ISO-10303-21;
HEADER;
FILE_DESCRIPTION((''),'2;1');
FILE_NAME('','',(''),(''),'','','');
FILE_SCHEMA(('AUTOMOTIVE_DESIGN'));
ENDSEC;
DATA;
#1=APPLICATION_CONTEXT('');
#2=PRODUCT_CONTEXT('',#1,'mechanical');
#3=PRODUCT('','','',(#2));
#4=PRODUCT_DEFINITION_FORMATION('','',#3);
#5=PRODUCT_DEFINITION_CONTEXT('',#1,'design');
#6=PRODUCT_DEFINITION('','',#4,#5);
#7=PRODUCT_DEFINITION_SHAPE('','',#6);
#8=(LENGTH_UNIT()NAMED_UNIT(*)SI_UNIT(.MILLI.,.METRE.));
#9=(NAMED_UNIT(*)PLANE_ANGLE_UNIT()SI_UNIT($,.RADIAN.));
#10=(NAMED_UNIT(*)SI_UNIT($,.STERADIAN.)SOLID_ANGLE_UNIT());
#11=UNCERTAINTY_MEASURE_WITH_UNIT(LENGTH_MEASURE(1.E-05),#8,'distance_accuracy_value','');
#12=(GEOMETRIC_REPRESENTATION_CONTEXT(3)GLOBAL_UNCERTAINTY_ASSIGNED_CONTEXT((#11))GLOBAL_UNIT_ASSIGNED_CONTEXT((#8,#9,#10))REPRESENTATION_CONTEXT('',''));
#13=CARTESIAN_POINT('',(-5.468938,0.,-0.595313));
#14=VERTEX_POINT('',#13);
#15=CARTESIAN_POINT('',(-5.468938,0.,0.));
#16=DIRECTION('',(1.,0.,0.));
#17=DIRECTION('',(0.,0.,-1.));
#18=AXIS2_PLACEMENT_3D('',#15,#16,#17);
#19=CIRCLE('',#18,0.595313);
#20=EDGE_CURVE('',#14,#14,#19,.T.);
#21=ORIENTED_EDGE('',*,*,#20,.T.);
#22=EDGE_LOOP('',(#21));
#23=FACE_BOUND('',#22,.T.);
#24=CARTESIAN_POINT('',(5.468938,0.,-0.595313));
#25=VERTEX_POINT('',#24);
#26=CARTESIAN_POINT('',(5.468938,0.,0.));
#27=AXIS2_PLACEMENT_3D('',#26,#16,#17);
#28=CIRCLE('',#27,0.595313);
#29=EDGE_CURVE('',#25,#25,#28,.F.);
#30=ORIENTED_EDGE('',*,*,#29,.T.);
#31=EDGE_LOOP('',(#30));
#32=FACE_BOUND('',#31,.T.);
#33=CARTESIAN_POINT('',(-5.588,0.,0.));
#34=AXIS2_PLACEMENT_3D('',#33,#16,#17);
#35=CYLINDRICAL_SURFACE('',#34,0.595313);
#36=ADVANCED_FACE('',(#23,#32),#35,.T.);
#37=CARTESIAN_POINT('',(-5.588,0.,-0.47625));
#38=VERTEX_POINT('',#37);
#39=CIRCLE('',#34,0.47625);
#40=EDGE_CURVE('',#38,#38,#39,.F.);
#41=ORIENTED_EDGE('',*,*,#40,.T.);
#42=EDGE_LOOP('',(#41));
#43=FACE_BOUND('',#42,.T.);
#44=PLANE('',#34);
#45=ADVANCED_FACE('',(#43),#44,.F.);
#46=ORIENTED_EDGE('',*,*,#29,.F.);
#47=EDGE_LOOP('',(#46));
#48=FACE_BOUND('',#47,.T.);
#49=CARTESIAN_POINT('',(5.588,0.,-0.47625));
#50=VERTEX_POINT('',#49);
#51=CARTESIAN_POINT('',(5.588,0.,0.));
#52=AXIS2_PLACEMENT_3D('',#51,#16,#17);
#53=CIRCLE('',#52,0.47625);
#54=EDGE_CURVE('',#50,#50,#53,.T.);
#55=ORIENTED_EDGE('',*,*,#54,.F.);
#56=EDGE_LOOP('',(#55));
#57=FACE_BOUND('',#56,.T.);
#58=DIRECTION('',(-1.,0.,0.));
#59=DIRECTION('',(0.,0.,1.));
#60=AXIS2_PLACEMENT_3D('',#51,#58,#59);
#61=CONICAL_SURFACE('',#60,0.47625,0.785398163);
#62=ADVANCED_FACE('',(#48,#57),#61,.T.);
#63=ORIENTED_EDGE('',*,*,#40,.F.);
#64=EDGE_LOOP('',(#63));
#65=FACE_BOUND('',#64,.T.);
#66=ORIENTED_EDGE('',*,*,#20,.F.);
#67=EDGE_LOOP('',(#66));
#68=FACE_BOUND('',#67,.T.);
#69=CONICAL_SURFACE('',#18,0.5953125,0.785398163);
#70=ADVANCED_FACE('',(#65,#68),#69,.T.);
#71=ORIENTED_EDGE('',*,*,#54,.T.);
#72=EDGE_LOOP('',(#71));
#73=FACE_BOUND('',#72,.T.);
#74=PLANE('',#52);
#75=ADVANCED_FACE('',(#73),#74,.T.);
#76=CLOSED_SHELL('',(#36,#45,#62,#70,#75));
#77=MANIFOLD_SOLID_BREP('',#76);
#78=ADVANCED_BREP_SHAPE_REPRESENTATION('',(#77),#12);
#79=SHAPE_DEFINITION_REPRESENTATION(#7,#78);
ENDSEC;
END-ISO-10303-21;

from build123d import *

# Parameters (mm, degrees)
SKETCH2_R           = 0.5953125
EXTRUDE1_DEPTH      = 5.588
EXTRUDE1_DEPTH_BACK = 5.588
CHAMFER1_SIZE       = 0.1190625


with BuildPart() as part:
    # Sketch2 → Extrude1 (new body, two sides)
    with BuildSketch(Plane(origin=(0, 0, 0), x_dir=(0, 0, -1), z_dir=(1, 0, 0))) as extrude1_sk:
        Circle(SKETCH2_R)
    extrude(amount=EXTRUDE1_DEPTH)
    extrude(extrude1_sk.sketch, amount=-EXTRUDE1_DEPTH_BACK)

    # Chamfer1
    chamfer1_edges = [part.edges().sort_by_distance(p)[0] for p in [
        (-5.588, 0, 0.5953125),
        (5.588, 0, 0.5953125),
    ]]
    chamfer(chamfer1_edges, length=CHAMFER1_SIZE)


solid = part.part
